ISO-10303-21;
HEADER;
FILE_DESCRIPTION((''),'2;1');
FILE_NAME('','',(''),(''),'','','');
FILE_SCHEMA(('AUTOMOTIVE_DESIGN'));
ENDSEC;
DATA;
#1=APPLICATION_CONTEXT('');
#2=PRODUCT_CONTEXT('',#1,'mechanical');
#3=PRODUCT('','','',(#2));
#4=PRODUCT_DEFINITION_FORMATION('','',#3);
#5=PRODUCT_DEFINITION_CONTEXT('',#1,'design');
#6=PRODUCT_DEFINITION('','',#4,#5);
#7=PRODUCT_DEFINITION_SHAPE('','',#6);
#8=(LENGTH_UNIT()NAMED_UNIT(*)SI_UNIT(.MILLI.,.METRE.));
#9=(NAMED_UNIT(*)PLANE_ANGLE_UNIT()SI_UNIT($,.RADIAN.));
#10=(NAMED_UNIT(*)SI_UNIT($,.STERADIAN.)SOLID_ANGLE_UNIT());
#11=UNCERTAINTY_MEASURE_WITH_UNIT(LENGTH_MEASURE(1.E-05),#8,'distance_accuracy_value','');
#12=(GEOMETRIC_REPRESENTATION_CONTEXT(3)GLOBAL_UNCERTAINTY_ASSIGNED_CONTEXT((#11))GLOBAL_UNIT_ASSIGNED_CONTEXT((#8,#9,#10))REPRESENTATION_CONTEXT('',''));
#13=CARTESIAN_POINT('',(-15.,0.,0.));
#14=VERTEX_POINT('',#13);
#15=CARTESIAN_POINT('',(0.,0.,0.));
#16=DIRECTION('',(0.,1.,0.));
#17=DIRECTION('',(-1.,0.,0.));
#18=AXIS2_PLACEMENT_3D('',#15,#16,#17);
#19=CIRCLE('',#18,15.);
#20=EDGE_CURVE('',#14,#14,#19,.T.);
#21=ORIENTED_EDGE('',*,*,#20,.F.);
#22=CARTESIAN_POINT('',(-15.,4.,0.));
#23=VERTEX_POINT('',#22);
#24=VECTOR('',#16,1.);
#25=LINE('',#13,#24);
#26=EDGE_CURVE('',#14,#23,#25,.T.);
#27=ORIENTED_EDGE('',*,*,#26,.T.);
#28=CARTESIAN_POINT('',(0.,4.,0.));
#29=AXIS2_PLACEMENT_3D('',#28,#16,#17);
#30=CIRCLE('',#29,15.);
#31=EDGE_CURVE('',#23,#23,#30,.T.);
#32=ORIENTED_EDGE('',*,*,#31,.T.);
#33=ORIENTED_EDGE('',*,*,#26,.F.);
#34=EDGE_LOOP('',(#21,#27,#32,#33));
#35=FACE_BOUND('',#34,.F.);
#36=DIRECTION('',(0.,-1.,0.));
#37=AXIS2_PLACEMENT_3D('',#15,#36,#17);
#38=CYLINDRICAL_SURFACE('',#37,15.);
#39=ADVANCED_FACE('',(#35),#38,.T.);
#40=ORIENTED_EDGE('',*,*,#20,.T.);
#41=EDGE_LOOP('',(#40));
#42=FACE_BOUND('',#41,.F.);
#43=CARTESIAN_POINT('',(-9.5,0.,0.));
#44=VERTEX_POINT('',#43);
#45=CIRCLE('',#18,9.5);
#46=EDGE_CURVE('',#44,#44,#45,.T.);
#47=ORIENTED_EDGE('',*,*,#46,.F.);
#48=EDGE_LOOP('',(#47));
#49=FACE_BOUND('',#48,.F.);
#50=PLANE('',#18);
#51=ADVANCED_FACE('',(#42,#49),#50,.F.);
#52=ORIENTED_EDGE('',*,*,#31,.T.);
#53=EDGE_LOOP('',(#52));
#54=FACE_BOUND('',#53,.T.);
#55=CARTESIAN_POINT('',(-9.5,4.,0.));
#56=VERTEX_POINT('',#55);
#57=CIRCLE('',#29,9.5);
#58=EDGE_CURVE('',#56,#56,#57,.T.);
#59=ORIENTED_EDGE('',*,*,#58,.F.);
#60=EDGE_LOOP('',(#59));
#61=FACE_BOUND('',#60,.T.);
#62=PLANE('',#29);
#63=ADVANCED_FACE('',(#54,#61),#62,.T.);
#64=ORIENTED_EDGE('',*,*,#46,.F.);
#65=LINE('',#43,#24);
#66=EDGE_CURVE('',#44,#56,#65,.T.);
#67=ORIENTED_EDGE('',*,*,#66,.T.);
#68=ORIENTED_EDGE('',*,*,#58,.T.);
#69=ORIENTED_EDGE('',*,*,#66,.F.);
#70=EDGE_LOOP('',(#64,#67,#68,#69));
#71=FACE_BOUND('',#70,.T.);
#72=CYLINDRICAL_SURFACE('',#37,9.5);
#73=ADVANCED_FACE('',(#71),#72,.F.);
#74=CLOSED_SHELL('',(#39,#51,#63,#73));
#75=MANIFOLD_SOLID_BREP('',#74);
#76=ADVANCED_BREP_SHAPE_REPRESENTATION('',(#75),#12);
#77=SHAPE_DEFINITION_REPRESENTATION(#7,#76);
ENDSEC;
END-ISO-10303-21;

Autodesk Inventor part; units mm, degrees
ref_plane "YZ Plane" through (0, 0, 0) normal (1, 0, 0) x (0, 1, 0)
ref_plane "XZ Plane" through (0, 0, 0) normal (0, 1, 0) x (-1, 0, 0)
ref_plane "XY Plane" through (0, 0, 0) normal (0, 0, 1) x (1, 0, 0)
sketch "Sketch1" plane through (0, 0, 0) normal (0, 1, 0) x (-1, 0, 0)
  circle A0 centre (0, 0) radius 9.5
  circle A1 centre (0, 0) radius 15
  dimension "d0" = 19
  dimension "d1" = 30
extrude "Extrusion1" add sketch "Sketch1" along normal blind 4
properties part number "e_spacer 4mm"
